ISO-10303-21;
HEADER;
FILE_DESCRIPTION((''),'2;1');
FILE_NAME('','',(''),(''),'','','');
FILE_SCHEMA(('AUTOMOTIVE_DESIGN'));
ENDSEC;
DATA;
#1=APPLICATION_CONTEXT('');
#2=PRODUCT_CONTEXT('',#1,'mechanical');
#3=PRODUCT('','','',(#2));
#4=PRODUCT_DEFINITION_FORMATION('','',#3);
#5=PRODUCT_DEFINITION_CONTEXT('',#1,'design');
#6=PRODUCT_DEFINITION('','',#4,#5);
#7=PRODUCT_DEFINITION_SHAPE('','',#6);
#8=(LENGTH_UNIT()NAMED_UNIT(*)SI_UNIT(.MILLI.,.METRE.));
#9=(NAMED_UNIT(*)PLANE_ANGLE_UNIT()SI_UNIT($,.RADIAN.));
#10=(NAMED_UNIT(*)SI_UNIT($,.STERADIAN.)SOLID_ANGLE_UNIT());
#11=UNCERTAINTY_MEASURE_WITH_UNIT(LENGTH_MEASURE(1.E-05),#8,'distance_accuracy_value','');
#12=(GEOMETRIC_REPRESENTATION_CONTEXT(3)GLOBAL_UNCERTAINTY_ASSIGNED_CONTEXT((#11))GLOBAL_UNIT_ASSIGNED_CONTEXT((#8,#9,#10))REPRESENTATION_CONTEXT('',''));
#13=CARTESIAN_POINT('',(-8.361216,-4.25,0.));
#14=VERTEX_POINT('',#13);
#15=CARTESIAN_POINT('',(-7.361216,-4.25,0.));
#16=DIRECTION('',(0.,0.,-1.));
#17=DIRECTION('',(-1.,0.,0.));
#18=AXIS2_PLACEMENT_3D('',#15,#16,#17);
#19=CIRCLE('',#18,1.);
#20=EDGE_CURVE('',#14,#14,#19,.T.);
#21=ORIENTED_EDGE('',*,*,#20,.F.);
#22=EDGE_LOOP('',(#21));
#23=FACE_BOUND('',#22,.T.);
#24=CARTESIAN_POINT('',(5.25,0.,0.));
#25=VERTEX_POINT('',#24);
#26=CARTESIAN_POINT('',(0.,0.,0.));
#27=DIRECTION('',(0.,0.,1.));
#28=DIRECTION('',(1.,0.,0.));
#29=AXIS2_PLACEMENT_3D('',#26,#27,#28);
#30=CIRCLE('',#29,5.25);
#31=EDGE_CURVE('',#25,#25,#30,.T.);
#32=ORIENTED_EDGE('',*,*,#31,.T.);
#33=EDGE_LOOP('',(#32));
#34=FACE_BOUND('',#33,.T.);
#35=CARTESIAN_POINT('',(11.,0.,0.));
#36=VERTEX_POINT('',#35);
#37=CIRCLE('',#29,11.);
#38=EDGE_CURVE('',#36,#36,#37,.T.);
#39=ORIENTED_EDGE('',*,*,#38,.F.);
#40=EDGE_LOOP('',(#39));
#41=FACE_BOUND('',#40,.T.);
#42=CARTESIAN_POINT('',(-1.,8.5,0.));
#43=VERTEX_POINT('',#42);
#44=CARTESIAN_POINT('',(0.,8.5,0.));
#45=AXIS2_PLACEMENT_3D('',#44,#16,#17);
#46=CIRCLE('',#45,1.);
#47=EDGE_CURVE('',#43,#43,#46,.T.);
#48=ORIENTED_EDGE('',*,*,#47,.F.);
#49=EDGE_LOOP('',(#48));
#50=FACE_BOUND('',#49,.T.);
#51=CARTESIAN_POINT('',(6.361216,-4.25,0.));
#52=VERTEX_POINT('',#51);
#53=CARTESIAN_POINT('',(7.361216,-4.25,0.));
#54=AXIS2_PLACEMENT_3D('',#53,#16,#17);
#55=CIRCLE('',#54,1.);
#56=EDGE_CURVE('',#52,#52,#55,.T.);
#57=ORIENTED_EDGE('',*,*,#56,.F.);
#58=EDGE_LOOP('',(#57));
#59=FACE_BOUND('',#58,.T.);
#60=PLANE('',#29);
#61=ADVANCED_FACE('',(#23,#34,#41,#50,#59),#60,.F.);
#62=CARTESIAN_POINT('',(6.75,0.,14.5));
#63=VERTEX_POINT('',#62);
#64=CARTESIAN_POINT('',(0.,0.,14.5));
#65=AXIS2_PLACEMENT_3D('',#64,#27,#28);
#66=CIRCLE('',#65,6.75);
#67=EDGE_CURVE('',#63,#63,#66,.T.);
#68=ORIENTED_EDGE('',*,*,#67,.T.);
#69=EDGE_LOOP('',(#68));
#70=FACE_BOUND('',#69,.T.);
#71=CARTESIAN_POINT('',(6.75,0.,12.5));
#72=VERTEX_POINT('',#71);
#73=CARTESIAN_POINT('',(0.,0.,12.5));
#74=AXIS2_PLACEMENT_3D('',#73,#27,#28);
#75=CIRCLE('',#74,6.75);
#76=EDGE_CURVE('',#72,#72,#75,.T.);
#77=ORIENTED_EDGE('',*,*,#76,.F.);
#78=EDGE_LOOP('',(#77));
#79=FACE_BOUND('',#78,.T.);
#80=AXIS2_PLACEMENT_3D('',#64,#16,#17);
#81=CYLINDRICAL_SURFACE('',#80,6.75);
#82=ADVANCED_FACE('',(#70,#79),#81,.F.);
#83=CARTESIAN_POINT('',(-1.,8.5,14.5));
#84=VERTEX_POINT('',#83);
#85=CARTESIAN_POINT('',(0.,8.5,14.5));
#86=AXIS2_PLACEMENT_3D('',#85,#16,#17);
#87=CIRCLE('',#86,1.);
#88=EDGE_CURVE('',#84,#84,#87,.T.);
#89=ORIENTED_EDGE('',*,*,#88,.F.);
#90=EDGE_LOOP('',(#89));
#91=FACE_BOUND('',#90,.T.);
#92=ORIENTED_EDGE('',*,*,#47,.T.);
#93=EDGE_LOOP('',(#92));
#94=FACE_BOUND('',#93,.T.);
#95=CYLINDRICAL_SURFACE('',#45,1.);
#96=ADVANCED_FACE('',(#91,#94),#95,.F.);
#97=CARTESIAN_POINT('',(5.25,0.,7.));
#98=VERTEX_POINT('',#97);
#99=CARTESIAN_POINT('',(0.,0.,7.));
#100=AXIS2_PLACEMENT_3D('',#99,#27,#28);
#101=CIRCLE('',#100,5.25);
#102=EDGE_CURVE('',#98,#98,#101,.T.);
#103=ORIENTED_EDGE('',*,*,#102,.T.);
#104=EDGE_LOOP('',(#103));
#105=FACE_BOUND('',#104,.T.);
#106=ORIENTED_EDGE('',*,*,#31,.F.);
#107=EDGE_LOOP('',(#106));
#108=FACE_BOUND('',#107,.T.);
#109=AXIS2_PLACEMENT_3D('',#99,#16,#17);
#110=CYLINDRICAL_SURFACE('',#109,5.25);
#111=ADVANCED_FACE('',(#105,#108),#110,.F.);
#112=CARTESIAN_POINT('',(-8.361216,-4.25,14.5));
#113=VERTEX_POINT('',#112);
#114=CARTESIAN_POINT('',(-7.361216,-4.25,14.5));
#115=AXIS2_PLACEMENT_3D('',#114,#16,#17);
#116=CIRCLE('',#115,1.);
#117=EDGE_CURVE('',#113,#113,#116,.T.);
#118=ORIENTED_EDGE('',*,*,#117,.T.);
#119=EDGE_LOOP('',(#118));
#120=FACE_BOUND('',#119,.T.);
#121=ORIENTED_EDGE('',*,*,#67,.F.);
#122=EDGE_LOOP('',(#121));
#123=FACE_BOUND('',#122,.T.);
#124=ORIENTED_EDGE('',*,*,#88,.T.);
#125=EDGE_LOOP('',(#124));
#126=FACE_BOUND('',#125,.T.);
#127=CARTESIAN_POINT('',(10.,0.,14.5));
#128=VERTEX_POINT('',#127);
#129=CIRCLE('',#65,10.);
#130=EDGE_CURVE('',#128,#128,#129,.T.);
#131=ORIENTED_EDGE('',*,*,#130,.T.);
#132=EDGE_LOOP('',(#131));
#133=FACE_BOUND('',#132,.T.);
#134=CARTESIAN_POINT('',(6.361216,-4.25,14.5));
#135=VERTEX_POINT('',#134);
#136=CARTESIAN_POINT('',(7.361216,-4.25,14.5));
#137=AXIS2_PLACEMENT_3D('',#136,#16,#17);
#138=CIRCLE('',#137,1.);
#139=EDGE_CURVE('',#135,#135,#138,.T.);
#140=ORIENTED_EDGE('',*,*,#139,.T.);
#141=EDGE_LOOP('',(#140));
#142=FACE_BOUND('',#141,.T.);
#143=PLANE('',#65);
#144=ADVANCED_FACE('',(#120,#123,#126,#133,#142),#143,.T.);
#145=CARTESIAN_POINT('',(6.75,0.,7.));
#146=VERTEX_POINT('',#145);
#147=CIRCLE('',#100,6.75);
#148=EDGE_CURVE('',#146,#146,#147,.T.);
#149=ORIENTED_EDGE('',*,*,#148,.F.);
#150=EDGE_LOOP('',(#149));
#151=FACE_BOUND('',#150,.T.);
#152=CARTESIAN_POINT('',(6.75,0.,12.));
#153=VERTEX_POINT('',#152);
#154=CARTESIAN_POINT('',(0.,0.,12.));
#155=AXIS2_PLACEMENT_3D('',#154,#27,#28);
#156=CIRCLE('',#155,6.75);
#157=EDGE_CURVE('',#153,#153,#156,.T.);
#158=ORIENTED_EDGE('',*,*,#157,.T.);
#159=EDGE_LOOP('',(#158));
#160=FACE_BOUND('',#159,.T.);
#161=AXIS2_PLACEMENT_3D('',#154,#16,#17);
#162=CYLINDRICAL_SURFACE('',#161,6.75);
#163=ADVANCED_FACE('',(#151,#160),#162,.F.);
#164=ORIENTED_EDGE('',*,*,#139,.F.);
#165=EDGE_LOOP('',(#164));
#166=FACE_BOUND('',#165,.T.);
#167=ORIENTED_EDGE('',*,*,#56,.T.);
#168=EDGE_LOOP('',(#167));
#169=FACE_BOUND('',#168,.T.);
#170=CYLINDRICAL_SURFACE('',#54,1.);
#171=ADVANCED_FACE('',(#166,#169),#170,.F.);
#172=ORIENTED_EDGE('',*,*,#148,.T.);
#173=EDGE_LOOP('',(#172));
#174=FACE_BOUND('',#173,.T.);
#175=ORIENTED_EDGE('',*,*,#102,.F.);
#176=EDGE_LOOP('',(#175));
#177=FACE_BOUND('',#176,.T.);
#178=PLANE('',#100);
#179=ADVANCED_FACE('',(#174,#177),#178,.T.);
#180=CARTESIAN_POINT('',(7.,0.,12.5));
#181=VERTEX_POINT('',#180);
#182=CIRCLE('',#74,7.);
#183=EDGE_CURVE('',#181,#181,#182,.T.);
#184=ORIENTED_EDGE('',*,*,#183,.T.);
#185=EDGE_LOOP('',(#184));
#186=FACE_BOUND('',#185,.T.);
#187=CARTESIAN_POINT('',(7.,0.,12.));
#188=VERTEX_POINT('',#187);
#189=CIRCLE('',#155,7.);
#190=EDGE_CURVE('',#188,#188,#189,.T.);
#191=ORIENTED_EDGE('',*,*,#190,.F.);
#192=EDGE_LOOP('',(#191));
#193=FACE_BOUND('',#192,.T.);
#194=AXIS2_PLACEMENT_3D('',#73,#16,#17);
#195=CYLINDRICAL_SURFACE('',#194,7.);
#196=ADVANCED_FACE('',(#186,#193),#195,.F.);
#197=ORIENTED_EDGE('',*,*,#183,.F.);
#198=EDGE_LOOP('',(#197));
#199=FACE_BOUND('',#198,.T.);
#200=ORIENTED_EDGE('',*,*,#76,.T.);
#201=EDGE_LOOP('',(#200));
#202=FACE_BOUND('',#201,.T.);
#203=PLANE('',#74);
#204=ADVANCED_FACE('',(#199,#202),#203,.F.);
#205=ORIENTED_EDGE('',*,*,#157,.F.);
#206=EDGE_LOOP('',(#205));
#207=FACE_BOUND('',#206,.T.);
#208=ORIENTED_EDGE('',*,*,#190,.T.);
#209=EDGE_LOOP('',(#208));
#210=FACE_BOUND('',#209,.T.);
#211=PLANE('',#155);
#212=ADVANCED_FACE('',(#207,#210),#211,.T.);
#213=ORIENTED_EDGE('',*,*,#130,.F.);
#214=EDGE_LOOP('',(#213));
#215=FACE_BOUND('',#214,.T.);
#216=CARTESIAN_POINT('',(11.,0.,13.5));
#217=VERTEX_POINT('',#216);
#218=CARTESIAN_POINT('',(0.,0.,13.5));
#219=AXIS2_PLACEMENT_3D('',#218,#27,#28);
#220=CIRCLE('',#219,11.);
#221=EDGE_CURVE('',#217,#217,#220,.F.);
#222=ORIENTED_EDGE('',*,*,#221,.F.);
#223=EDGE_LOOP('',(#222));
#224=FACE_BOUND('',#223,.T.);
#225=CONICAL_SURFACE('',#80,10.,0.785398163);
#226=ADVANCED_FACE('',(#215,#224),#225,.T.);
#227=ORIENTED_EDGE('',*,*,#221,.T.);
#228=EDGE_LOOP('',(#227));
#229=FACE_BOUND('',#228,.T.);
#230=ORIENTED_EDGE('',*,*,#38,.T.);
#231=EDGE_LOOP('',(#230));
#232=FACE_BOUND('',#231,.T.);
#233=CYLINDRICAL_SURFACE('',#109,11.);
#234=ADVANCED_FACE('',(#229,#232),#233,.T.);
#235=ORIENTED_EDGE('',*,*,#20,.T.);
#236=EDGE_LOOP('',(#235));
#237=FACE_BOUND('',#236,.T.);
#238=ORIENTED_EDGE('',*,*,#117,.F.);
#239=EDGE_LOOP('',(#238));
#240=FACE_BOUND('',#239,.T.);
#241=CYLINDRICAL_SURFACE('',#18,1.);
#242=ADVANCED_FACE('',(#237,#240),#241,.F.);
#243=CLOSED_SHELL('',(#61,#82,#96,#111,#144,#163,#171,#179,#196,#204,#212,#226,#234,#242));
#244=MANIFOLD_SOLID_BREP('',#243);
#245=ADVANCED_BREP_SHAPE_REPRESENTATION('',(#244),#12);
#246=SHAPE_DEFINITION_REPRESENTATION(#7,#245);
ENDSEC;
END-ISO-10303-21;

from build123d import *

# Parameters (mm, degrees)
ESQUISSE1_R                   = 11
ESQUISSE1_R_2                 = 5.25
BOSS_EXTRU_1_DEPTH            = 7
ESQUISSE2_R                   = 11
ESQUISSE2_R_2                 = 6.75
BOSS_EXTRU_2_DEPTH            = 5
ESQUISSE3_R                   = 11
ESQUISSE3_R_2                 = 7
BOSS_EXTRU_3_DEPTH            = 0.5
ESQUISSE4_R                   = 11
ESQUISSE4_R_2                 = 6.75
BOSS_EXTRU_4_DEPTH            = 2
CHANFREIN1_SIZE               = 1
DIAM_TRE_DU_PER_AGE_2_0_2_1_D = 2


with BuildPart() as part:
    # Esquisse1 → Boss.-Extru.1 (new body)
    with BuildSketch(Plane.XY):
        Circle(ESQUISSE1_R)
        Circle(ESQUISSE1_R_2, mode=Mode.SUBTRACT)
    extrude(amount=BOSS_EXTRU_1_DEPTH)

    # Esquisse2 → Boss.-Extru.2 (add)
    with BuildSketch(Plane.XY.offset(7)):
        Circle(ESQUISSE2_R)
        Circle(ESQUISSE2_R_2, mode=Mode.SUBTRACT)
    extrude(amount=BOSS_EXTRU_2_DEPTH)

    # Esquisse3 → Boss.-Extru.3 (add)
    with BuildSketch(Plane.XY.offset(12)):
        Circle(ESQUISSE3_R)
        Circle(ESQUISSE3_R_2, mode=Mode.SUBTRACT)
    extrude(amount=BOSS_EXTRU_3_DEPTH)

    # Esquisse4 → Boss.-Extru.4 (add)
    with BuildSketch(Plane.XY.offset(12.5)):
        Circle(ESQUISSE4_R)
        Circle(ESQUISSE4_R_2, mode=Mode.SUBTRACT)
    extrude(amount=BOSS_EXTRU_4_DEPTH)

    # Chanfrein1
    chanfrein1_edges = [part.edges().sort_by_distance(p)[0] for p in [
        (-11, 0, 14.5),
    ]]
    chamfer(chanfrein1_edges, length=CHANFREIN1_SIZE)

    # Diamètre du perçage Ø2.0 (2)1 (through all)
    with Locations(Plane(origin=(0, 0, 0), x_dir=(-1, 0, 0), z_dir=(0, 0, -1))):
        with Locations((-7.361215932, -4.25), (0, 8.5), (7.361215932, -4.25)):
            Hole(DIAM_TRE_DU_PER_AGE_2_0_2_1_D / 2)


solid = part.part
